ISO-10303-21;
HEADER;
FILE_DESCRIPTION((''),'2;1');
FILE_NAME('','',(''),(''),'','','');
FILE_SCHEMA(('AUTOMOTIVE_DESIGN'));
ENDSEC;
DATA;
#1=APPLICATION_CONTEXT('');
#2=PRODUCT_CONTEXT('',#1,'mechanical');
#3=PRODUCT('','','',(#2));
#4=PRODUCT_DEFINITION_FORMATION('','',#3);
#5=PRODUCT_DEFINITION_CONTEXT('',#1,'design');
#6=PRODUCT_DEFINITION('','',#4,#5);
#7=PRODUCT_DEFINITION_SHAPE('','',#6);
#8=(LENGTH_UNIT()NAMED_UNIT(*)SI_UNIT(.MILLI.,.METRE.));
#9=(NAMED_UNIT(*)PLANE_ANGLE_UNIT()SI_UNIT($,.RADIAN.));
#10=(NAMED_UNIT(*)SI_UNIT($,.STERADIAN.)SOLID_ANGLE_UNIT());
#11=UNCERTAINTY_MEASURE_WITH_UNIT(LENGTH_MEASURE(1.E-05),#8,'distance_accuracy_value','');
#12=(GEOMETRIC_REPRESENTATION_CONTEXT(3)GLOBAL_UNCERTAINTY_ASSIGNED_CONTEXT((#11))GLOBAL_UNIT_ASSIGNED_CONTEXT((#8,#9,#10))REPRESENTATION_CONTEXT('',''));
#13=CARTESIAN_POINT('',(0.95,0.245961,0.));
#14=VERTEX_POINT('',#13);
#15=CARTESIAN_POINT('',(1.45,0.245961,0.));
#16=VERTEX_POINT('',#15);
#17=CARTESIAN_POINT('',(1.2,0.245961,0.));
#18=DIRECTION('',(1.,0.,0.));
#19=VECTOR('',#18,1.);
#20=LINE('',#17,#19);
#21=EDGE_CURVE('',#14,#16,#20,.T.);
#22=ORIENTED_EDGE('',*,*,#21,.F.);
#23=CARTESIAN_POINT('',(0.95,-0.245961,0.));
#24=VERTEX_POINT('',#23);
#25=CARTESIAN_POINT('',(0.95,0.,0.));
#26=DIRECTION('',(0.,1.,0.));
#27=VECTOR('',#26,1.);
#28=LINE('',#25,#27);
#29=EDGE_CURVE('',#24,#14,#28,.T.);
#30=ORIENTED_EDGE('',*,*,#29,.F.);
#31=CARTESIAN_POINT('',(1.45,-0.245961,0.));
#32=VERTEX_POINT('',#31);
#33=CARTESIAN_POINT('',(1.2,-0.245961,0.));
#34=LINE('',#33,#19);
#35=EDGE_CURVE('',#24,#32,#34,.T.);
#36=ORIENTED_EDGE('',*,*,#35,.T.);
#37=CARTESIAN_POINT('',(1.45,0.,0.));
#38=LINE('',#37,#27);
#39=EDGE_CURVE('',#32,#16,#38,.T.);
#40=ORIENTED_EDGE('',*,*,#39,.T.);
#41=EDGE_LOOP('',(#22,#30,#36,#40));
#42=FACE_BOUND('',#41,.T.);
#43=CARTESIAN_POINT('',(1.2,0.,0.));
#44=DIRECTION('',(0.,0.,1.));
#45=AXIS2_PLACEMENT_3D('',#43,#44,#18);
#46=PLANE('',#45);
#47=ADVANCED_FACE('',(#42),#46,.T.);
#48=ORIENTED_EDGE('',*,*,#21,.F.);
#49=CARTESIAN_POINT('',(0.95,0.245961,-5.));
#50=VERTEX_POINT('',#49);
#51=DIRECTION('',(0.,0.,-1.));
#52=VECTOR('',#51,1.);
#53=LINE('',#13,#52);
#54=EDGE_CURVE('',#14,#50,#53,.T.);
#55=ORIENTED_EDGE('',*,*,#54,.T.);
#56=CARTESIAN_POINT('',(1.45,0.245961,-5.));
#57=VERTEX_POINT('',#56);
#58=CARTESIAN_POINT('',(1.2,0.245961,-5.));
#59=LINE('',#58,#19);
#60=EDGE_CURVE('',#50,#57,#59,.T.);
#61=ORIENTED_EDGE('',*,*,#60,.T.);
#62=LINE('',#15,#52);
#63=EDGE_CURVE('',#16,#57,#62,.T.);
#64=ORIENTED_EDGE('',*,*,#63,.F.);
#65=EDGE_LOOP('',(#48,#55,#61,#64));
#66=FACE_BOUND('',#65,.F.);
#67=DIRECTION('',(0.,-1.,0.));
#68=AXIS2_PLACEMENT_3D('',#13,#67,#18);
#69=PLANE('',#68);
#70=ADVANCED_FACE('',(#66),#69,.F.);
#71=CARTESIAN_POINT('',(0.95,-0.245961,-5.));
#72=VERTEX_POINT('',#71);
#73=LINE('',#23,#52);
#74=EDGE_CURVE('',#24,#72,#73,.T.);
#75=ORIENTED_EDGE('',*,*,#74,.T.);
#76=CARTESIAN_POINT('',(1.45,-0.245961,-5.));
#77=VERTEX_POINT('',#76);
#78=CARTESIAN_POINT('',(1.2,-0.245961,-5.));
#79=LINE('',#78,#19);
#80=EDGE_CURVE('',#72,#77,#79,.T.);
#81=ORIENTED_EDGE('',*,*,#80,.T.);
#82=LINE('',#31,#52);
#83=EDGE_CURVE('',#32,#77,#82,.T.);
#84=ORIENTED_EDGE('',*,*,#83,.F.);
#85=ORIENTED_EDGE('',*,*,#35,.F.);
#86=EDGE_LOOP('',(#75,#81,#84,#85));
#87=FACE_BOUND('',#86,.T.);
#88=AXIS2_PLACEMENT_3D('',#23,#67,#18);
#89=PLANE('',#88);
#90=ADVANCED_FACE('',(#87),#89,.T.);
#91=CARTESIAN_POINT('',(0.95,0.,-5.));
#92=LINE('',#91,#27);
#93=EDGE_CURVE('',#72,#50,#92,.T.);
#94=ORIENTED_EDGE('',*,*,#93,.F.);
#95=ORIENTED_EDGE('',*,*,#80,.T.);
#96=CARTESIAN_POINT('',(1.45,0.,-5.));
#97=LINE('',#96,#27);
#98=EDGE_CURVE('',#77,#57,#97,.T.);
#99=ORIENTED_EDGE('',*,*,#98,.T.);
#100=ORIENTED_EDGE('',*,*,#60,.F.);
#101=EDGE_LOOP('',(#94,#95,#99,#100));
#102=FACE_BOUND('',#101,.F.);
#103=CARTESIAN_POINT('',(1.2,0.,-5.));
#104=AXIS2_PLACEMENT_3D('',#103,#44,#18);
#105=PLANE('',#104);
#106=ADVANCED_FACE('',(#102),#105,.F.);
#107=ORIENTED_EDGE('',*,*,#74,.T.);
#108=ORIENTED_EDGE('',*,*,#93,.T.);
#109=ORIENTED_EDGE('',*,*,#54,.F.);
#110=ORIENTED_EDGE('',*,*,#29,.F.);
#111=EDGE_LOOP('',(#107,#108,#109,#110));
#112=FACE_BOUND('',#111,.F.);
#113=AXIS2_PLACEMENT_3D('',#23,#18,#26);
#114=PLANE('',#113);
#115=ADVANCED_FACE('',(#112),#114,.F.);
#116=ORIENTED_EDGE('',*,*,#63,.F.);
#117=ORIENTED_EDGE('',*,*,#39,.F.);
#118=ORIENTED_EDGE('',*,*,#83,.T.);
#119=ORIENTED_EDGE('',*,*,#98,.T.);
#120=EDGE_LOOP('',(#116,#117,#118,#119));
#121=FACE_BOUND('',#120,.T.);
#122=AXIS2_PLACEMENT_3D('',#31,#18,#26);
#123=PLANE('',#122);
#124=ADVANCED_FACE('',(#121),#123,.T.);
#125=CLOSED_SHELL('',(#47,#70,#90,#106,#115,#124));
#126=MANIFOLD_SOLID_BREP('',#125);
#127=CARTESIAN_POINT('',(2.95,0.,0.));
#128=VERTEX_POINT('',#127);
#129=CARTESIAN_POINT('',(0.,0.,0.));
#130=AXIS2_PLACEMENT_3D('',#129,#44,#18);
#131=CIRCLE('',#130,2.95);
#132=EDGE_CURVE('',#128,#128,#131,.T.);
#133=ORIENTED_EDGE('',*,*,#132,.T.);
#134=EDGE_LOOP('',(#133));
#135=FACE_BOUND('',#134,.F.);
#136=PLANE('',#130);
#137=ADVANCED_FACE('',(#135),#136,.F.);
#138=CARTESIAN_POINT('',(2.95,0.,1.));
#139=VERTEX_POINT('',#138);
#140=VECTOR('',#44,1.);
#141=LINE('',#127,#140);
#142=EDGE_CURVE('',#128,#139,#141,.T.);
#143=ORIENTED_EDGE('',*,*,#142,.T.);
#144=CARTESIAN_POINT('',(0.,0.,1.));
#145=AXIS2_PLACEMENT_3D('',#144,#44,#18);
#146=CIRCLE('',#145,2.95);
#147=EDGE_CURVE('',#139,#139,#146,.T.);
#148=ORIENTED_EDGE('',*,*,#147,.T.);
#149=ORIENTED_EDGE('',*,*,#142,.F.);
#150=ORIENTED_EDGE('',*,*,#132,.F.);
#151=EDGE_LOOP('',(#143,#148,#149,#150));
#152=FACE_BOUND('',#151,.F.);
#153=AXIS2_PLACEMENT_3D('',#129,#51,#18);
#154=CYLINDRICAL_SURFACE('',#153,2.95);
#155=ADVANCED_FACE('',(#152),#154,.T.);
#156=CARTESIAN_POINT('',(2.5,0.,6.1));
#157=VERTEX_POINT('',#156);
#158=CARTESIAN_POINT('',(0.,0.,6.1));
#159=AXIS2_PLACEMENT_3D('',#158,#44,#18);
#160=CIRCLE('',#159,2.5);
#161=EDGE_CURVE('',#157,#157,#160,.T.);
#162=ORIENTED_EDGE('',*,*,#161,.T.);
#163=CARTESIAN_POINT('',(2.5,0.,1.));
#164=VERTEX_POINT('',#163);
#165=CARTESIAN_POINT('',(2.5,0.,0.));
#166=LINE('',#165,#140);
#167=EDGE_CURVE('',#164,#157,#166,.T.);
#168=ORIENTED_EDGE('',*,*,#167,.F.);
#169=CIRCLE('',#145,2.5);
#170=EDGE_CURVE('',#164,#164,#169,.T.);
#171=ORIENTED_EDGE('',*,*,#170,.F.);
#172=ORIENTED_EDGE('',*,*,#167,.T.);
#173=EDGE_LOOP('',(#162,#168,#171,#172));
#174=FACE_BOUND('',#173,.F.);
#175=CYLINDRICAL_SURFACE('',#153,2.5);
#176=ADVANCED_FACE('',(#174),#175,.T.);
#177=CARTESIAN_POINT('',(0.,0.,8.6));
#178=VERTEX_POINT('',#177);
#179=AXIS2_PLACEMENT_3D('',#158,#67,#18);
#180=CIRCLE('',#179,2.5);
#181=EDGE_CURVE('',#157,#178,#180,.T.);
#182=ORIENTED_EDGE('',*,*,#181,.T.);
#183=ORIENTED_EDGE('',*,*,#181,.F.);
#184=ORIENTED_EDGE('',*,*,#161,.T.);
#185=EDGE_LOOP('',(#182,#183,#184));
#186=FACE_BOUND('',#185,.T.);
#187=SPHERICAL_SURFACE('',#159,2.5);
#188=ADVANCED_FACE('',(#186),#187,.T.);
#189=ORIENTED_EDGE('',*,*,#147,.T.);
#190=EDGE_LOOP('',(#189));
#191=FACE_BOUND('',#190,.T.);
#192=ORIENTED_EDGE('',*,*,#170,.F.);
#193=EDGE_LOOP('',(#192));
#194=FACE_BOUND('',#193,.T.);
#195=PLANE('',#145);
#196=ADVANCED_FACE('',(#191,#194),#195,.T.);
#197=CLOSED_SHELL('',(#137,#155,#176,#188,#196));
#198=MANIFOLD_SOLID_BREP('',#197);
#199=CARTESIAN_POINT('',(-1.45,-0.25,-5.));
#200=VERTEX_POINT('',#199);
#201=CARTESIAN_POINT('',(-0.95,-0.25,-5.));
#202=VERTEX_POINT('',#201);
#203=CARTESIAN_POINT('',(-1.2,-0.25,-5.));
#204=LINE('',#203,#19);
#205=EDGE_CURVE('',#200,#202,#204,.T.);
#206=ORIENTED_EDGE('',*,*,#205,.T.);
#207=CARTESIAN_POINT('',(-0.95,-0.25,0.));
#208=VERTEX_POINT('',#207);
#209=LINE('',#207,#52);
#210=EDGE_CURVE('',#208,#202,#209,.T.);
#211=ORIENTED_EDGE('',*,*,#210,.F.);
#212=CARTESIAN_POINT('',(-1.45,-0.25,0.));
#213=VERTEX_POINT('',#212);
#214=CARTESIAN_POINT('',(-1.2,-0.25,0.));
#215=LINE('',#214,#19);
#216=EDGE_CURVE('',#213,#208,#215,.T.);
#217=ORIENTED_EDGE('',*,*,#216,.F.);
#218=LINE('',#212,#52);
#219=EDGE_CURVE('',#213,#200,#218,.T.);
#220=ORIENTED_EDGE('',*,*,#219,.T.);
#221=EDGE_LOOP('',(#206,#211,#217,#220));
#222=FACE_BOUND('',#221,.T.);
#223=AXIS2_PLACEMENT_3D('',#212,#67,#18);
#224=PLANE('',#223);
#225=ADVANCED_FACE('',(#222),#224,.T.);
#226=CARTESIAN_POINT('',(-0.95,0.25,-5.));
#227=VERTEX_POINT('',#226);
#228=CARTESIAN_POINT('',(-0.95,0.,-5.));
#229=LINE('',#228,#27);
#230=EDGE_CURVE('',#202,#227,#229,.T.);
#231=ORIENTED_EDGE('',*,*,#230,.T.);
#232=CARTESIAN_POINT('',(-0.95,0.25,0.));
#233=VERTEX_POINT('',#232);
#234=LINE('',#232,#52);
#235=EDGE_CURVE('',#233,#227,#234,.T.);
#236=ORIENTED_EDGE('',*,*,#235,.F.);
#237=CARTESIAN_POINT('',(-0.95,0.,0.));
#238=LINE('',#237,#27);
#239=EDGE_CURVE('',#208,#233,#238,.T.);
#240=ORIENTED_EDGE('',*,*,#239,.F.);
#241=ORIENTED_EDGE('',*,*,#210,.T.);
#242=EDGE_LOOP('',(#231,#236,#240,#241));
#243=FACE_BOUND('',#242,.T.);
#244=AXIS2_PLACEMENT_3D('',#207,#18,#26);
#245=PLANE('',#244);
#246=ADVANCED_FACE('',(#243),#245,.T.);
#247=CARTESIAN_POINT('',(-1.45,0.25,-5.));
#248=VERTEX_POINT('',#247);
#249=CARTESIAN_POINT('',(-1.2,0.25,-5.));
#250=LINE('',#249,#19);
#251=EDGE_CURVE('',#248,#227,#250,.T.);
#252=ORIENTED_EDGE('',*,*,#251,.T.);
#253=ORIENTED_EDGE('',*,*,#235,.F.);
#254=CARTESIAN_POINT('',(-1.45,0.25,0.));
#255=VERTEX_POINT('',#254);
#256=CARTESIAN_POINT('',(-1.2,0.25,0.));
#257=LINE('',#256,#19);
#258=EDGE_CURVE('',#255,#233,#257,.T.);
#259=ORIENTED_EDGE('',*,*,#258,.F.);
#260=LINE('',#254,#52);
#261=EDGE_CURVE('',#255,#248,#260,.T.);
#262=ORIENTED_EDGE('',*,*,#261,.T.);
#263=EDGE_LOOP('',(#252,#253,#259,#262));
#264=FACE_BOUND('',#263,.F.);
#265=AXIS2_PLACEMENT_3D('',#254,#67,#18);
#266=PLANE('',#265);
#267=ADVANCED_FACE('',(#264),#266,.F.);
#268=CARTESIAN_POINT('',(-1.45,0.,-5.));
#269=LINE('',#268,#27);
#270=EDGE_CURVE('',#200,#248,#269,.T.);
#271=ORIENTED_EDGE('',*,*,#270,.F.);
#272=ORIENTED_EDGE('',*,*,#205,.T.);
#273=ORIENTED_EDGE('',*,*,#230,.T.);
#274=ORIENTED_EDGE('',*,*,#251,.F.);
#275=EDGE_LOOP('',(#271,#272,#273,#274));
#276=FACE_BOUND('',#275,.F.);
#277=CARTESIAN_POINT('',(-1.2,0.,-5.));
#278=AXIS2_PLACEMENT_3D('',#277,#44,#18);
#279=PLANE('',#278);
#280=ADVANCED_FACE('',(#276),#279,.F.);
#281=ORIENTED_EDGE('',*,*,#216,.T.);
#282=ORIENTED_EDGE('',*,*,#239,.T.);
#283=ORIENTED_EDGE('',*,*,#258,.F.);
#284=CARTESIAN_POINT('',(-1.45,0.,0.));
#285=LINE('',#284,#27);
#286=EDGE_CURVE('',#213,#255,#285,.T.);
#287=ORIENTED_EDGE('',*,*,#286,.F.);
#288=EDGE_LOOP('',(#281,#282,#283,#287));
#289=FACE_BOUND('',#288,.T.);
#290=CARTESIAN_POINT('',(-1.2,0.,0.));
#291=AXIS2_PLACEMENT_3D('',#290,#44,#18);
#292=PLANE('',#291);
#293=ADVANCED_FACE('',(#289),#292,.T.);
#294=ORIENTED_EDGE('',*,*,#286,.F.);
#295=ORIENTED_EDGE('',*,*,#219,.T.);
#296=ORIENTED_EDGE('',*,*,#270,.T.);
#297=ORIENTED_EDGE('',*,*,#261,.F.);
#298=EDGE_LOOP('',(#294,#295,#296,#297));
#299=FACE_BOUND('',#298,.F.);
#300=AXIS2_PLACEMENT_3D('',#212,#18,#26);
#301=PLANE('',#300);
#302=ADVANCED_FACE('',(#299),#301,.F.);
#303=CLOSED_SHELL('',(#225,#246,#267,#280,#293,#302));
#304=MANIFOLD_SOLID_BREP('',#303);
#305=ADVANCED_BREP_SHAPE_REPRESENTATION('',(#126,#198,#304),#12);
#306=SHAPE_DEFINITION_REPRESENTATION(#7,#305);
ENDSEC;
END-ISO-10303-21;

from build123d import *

# Parameters (mm, degrees)
F0_R     = 2.5
F1_DEPTH = 8.6
F0_R_2   = 2.95
F2_DEPTH = 1
F3_R     = 2.5
F4_W     = 0.5
F4_H     = 0.491922
F4_H_2   = 0.5
F5_DEPTH = 5


with BuildPart() as f1:
    # F0 (on Top) → F1 (new body)
    with BuildSketch(Plane.XY):
        Circle(F0_R)
    extrude(amount=F1_DEPTH)

    # F0 (on Top) → F2 (join)
    with BuildSketch(Plane.XY):
        Circle(F0_R_2)
        Circle(F0_R, mode=Mode.SUBTRACT)
    extrude(amount=F2_DEPTH)

    # F3
    f3_edges = [f1.edges().sort_by_distance(p)[0] for p in [
        (-2.5, 0, 8.6),
    ]]
    fillet(f3_edges, radius=F3_R)


with BuildPart() as f5:
    # F4 (on face) → F5 (new body)
    with BuildSketch(Plane.XY):
        with Locations((1.2, 0)):
            Rectangle(F4_W, F4_H)
        with Locations((-1.2, 0)):
            Rectangle(F4_W, F4_H_2)
    extrude(amount=-F5_DEPTH)


solid = Compound([f1.part, f5.part])
